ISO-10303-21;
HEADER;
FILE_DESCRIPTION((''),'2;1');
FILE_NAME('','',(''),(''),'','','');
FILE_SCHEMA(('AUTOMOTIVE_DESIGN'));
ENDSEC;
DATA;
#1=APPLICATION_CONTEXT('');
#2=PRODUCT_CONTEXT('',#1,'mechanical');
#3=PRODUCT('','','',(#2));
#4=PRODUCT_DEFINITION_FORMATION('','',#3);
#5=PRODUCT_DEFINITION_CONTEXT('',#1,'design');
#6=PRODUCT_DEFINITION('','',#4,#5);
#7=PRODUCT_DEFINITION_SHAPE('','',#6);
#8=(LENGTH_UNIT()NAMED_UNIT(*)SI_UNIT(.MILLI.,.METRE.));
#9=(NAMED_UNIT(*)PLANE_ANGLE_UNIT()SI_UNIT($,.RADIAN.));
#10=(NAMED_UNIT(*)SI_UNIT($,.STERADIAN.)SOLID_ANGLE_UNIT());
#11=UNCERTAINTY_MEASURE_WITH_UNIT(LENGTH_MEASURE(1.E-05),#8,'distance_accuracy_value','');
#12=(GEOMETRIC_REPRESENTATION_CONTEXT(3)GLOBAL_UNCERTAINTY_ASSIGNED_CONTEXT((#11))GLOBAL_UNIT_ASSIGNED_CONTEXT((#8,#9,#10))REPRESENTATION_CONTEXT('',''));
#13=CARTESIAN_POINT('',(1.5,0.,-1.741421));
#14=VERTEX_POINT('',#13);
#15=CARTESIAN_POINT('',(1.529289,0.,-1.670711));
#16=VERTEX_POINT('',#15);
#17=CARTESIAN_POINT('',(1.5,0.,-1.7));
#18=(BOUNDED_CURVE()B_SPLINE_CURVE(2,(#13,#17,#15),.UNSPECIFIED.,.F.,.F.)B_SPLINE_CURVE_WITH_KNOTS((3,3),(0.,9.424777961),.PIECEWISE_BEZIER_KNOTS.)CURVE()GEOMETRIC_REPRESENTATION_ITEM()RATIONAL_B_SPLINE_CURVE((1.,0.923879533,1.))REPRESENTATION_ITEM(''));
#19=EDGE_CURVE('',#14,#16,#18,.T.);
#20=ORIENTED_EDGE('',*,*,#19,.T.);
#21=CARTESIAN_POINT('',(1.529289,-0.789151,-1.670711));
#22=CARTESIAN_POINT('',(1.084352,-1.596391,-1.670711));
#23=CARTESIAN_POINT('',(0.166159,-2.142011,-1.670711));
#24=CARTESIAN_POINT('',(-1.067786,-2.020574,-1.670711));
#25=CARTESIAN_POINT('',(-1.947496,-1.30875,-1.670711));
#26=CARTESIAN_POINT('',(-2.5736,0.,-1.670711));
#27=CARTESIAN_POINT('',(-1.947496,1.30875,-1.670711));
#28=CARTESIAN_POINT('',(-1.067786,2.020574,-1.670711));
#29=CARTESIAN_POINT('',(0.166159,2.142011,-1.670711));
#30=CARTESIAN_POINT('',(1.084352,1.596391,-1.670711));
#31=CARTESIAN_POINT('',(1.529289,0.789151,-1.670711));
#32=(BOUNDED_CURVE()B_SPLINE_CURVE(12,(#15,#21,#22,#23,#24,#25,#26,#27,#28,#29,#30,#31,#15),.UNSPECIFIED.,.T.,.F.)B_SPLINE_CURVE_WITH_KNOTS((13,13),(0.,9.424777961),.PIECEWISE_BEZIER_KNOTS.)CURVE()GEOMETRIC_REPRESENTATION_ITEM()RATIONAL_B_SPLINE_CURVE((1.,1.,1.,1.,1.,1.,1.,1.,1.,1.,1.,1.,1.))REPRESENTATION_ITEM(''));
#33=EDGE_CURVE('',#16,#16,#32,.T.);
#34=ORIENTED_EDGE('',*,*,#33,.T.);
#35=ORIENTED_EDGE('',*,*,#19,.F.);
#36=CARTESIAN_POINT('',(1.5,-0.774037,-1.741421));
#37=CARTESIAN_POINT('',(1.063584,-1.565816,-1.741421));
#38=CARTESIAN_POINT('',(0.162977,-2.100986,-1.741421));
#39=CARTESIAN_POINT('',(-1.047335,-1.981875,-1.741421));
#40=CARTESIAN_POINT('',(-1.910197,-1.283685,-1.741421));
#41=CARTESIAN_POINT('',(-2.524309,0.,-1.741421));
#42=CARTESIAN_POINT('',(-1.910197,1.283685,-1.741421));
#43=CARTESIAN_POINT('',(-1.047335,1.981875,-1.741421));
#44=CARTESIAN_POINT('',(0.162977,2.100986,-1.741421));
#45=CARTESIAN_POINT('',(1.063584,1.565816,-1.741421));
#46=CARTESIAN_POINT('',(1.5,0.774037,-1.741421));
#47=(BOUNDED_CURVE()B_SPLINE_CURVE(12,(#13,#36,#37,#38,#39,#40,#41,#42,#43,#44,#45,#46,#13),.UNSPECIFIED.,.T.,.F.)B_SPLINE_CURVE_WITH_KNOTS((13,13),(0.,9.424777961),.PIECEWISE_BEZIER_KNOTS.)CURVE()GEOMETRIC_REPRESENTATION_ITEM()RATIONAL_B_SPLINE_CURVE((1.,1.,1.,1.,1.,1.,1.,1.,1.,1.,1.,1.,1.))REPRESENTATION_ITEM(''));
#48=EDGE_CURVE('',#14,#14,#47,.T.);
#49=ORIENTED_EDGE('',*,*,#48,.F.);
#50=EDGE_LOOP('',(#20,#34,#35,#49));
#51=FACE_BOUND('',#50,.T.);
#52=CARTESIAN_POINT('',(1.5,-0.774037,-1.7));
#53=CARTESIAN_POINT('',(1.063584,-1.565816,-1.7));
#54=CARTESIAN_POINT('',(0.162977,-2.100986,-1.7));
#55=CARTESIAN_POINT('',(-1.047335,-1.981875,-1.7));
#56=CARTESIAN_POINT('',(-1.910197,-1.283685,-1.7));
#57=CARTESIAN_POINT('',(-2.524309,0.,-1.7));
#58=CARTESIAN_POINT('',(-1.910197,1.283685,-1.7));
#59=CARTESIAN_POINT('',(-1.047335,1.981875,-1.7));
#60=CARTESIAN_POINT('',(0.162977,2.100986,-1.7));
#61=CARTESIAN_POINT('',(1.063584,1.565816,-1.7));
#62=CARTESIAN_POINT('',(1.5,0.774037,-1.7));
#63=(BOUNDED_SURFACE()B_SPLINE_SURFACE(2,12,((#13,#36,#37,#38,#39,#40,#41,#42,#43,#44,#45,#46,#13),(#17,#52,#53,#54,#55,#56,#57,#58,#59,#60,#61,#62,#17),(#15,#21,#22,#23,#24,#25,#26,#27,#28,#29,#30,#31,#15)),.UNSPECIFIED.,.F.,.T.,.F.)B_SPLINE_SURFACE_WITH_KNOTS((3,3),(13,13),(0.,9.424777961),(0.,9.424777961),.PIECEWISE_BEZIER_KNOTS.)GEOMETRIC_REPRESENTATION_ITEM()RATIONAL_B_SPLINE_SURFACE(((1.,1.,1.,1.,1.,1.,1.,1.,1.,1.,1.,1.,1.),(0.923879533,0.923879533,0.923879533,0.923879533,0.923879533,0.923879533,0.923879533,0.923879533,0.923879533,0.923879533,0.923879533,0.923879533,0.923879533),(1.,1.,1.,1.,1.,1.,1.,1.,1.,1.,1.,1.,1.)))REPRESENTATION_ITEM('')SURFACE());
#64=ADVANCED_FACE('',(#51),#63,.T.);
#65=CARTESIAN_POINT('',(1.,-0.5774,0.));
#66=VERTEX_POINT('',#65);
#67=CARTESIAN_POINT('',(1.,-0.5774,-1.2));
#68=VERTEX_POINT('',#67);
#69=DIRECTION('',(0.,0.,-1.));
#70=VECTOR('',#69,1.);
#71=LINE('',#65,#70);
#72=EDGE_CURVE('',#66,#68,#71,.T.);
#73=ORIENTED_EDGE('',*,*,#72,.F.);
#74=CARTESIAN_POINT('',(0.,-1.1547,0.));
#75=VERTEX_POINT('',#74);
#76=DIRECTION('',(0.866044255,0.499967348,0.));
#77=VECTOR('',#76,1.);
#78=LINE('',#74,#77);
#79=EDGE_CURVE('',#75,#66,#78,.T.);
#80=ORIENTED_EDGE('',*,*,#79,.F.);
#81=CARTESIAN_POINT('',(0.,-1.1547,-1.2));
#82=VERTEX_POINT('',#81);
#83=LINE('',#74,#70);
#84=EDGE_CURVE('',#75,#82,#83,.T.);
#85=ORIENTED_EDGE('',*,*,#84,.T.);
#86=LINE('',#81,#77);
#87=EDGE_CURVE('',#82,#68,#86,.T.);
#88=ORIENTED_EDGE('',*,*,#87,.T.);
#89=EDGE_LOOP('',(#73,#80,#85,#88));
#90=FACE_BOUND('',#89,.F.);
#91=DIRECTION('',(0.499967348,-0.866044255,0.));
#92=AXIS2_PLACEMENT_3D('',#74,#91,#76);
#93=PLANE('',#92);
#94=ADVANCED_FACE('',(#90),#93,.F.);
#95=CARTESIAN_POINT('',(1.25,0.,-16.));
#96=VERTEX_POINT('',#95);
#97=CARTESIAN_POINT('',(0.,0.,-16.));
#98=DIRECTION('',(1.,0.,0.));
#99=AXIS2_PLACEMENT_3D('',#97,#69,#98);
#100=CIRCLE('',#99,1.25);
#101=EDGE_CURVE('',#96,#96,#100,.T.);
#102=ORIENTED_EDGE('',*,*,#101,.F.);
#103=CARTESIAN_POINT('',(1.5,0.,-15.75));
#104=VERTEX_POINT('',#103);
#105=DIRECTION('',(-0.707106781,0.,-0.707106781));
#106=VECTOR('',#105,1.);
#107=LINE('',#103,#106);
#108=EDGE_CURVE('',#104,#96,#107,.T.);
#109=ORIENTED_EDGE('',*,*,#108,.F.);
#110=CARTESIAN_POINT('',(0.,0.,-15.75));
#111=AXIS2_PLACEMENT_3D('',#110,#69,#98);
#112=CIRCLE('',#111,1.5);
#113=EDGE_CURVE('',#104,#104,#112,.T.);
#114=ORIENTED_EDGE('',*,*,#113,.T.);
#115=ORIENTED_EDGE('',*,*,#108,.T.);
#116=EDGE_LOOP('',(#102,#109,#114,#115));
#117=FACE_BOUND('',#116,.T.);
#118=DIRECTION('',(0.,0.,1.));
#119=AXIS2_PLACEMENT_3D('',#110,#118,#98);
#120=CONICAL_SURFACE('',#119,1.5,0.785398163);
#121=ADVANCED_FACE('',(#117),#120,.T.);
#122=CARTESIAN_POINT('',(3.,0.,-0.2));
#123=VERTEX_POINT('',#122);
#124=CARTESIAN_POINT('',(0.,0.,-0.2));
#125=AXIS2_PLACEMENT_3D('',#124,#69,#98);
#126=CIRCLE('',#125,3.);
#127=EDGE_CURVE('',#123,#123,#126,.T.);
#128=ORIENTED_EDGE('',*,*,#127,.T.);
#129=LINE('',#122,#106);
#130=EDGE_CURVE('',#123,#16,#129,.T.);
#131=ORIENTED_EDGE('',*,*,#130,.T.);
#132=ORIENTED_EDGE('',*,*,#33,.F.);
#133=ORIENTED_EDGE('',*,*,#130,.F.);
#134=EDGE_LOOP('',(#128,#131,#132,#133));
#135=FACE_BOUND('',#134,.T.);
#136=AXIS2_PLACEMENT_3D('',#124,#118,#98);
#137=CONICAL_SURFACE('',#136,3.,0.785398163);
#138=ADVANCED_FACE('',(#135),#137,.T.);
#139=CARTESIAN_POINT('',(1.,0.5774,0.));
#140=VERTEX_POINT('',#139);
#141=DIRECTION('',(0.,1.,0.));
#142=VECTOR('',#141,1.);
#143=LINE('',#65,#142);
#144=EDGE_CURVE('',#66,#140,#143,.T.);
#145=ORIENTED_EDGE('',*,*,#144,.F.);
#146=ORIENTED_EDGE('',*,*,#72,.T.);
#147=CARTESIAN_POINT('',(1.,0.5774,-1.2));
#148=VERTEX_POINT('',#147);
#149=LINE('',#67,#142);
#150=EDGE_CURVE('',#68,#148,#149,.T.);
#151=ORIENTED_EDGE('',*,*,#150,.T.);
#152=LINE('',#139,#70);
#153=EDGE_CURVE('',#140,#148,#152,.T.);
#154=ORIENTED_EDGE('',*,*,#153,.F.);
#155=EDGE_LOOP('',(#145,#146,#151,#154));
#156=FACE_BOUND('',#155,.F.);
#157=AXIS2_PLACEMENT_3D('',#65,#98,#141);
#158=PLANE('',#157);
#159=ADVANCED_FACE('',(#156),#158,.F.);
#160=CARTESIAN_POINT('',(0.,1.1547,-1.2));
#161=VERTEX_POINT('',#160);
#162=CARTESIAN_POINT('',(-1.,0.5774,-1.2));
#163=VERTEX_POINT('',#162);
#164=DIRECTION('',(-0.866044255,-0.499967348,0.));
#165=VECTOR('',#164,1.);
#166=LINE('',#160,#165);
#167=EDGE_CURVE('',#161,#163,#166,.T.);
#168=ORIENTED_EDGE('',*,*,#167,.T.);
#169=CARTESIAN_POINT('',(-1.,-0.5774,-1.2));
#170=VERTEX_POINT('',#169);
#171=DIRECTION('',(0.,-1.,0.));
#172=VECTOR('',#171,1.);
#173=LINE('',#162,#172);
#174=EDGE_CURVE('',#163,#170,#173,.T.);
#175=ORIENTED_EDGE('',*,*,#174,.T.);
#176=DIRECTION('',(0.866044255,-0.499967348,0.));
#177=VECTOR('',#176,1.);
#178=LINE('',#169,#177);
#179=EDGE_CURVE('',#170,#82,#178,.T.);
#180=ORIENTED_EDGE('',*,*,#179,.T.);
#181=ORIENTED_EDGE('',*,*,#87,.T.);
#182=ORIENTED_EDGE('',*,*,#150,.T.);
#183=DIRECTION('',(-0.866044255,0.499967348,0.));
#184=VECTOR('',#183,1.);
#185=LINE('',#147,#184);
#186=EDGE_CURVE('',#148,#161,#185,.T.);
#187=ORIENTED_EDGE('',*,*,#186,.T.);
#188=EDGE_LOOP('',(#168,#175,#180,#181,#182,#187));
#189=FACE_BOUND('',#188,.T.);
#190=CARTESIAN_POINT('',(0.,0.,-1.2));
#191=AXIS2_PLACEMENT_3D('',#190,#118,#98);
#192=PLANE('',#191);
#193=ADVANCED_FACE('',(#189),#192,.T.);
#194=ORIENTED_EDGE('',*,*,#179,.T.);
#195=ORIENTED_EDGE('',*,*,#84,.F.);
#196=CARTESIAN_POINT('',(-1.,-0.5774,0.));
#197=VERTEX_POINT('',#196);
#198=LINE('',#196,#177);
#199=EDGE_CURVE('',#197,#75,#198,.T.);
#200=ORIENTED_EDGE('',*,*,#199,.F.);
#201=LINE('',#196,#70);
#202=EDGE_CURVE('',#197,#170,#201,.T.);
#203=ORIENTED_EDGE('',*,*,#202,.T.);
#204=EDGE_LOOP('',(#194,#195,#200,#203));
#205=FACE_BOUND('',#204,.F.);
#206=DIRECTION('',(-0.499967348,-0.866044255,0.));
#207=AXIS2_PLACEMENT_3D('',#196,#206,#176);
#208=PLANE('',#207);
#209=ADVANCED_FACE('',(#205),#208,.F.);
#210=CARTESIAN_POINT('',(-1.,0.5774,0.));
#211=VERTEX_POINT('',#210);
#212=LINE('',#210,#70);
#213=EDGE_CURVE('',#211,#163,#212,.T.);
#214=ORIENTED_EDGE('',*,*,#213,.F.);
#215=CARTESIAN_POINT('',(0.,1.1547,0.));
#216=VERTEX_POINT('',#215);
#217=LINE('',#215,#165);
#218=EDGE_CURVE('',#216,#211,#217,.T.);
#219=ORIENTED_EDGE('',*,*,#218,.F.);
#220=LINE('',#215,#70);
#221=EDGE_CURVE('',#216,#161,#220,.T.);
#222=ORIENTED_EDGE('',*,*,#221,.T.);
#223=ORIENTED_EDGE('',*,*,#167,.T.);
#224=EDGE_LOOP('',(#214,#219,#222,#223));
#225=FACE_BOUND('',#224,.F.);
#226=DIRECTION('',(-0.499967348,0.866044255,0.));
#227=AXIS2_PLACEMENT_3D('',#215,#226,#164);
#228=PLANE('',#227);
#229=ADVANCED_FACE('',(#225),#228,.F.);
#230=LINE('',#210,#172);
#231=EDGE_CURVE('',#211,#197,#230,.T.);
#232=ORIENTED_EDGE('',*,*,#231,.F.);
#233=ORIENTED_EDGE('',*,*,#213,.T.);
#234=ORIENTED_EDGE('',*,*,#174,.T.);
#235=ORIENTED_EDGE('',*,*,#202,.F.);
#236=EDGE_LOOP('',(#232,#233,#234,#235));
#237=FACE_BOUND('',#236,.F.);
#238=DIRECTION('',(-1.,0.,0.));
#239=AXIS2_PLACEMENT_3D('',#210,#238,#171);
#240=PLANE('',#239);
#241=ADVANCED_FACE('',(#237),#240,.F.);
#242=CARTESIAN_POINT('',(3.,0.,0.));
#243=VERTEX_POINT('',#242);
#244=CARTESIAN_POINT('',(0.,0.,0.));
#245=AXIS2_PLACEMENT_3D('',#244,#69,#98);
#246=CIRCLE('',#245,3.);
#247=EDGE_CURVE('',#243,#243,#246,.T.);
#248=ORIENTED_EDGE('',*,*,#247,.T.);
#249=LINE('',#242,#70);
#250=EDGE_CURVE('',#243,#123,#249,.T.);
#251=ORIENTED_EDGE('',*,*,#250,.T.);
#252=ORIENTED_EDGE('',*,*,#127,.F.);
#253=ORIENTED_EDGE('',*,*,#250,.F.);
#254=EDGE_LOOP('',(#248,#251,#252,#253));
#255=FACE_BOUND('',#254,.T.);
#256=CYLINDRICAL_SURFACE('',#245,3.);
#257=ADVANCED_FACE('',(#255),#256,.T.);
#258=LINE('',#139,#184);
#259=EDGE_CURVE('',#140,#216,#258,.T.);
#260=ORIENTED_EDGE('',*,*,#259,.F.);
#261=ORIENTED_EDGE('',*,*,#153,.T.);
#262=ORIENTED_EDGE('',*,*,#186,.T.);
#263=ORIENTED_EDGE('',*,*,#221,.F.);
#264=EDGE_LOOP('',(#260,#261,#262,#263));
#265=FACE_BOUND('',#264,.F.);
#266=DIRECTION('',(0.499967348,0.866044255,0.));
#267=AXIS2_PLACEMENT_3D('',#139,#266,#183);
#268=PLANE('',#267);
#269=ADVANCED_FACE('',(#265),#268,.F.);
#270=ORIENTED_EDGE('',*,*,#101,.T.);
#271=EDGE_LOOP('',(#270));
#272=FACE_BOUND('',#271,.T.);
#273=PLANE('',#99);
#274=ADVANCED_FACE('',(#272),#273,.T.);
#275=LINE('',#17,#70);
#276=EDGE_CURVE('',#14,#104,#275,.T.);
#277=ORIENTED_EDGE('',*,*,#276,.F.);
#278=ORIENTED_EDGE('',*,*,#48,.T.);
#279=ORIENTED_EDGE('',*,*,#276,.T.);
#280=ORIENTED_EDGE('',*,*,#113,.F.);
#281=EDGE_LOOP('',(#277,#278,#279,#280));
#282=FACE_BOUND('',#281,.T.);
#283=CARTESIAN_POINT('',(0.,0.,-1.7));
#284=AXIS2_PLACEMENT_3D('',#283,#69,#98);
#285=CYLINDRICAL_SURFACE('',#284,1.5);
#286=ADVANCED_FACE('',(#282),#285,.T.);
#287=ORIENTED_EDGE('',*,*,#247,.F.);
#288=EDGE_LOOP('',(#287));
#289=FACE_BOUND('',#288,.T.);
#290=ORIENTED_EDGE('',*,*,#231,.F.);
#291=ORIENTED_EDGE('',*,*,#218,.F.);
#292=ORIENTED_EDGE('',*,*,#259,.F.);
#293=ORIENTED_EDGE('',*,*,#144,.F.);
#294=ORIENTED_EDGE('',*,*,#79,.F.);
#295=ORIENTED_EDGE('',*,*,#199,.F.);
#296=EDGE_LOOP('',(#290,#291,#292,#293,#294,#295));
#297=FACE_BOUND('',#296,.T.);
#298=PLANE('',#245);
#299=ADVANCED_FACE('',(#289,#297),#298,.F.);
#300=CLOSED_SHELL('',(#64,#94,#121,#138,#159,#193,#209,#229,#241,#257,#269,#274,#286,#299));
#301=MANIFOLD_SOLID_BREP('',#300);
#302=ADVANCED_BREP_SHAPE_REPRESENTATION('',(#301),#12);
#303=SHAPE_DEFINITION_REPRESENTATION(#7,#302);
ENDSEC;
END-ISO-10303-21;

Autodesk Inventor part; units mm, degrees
ref_plane "YZ Plane" through (0, 0, 0) normal (1, 0, 0) x (0, 1, 0)
sketch "Sketch1" plane through (0, 0, 0) normal (0, 1, 0) x (-1, 0, 0)
  point P0 (0, 0)
sketch "Sketch2" plane through (0, 0, 0) normal (0, 1, 0) x (-1, 0, 0)
  line L0 (-1.5, -16) -> (0, -16)
  line L1 (-1.5, -1.7) -> (-1.5, -16)
  line L2 (-3, -0.2) -> (-1.5, -1.7)
  line L3 (-3, 0) -> (-3, -0.2)
  line L4 (0, 0) -> (-3, 0)
  line L5 (0, -16) -> (0, 0)
  line L6 (0, -16) -> (0, 0)
  line L7 (0, -19.2) -> (0, 3.2) projected
  line L8 (0.6, 0) -> (-3.6, 0) projected
  dimension "d3" = 3
  dimension "d5" = 1.5
  dimension "d7" = 16
  dimension "ParC" = 0.2
  dimension "d22" = 0
  dimension "d23" = 0
  dimension "d43" = 45
revolve "Revolution1" add sketch "Sketch2" angle 360 about axis through (0, 0, -16) along (0, 0, -1)
sketch "Sketch3" plane through (0, 0, 0) normal (0, 0, 1) x (1, 0, 0)
  line L0 (-1, 0.5774) -> (-1, -0.5774)
  line L1 (0, 1.1547) -> (-1, 0.5774)
  line L2 (1, 0.5774) -> (0, 1.1547)
  line L3 (1, -0.5774) -> (1, 0.5774)
  line L4 (0, -1.1547) -> (1, -0.5774)
  line L5 (-1, -0.5774) -> (0, -1.1547)
  circle A0 centre (0, 0) radius 1 construction
  circle A1 centre (0, 0) radius 1.5 construction
  dimension "d11" = 2
  dimension "d13" = 120
  dimension "d15" = 120
extrude "Extrusion1" cut sketch "Sketch3" against normal blind 1.2
fillet "Fillet1" radius 0.1 1 edges at (-1.5, 0, -1.7)
chamfer "Chamfer1" distance 0.25 angle 45 1 edges at (-1.5, 0, -16) measured on face at (1.4041, 0.5277, -11.2471)
thread "Thread1" size "M3x0.5" class "6g" standard "ISO Metric profile" length 12
ref_plane "MSC_PF1" through (0, 0, 0) normal (1, 0, 0) x (0, 1, 0)
ref_plane "MSC_PT1" through (0, 0, 0) normal (0, 0, -1) x (-1, 0, 0)
equation "\"d3\" = 0.5 * dk"
equation "\"d5\" = 0.5 * NND"
equation "\"d7\" = NLG"
equation "\"d43\" = 0.5 * ang"
equation "\"d18\" = r"
equation "\"d19\" = 0.5 * PTC"
equation "\"d39\" = 0.5 * PTC"
equation "\"d11\" = ParS"
equation "\"d16\" = ParT"
equation "\"NND\" = 3"
equation "\"PTC\" = 0.5"
equation "\"dk\" = 6"
equation "\"ParK\" = 1.7"
equation "\"ParS\" = 2"
equation "\"ParT\" = 1.2"
equation "\"r\" = 0.1"
equation "\"NLG\" = 16"
equation "\"ang\" = 90deg"
equation "\"THREADDIA\" = NND"
properties part number "ISO 10642 - M3x16" material "Steel, Mild"
